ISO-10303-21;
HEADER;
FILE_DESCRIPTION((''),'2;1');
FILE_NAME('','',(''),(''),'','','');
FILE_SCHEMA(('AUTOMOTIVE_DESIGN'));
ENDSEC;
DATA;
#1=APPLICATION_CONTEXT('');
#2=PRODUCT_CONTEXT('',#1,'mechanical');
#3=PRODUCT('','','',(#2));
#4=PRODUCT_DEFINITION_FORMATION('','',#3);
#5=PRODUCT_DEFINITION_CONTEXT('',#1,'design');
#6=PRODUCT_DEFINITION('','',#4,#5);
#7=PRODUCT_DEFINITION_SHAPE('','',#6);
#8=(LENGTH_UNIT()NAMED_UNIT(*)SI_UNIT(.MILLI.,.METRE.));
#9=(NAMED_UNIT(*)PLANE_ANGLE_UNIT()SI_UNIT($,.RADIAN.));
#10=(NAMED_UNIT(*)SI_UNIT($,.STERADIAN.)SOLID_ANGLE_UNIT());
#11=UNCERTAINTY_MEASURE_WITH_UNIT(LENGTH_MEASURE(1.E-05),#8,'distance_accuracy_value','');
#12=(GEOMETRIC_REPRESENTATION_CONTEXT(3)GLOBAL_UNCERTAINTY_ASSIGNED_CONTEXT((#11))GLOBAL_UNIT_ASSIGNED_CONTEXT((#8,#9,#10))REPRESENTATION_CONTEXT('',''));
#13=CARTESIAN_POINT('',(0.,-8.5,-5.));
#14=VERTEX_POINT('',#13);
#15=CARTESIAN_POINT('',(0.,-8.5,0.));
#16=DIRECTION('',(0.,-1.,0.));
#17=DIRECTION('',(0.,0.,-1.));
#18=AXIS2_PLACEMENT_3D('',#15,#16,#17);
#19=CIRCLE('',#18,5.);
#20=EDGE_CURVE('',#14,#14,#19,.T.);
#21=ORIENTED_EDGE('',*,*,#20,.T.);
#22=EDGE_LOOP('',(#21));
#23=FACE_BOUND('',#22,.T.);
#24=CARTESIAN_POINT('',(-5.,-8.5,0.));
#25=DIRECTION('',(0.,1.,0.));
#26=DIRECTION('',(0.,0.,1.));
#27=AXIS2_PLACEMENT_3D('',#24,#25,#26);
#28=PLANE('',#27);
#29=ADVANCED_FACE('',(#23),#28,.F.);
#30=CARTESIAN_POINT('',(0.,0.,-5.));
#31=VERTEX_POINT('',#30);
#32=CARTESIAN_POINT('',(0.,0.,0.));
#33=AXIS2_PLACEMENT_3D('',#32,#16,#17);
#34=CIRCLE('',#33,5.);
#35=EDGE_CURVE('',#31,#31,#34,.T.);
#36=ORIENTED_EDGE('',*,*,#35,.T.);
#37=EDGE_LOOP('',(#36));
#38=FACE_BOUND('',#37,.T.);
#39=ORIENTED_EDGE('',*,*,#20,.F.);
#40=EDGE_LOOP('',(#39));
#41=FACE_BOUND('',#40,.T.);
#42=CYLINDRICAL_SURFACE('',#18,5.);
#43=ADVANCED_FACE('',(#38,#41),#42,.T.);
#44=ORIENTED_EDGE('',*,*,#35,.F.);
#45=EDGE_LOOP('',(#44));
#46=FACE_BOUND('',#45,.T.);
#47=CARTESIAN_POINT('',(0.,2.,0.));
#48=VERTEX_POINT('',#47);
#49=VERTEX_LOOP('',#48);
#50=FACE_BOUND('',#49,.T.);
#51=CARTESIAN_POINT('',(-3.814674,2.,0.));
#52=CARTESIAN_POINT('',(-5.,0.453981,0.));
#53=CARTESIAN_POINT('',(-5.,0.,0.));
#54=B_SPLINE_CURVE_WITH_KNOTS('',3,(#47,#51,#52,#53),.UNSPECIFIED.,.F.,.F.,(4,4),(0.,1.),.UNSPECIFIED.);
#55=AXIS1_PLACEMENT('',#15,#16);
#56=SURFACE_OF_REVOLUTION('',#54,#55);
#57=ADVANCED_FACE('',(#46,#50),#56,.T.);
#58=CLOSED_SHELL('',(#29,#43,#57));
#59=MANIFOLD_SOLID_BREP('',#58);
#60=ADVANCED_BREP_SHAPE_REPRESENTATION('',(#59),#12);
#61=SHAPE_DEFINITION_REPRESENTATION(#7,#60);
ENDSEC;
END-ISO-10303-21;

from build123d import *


with BuildPart() as part:
    # Esquisse1 → Révolution1 (revolve)
    with BuildSketch(Plane.XY):
        with BuildLine():
            Line((-5, 0), (-5, -8.5))
            Line((-5, -8.5), (0, -8.5))
            Line((0, -8.5), (0, 2))
            add(Edge.make_bspline(
                [(0, 2), (-3.814674298, 2), (-5, 0.453980543), (-5, 0)],
                knots=[0, 0, 0, 0, 1, 1, 1, 1], degree=3))
        make_face()
    revolve(axis=Axis((0, -8.5, 0), (0, 1, 0)))


solid = part.part
